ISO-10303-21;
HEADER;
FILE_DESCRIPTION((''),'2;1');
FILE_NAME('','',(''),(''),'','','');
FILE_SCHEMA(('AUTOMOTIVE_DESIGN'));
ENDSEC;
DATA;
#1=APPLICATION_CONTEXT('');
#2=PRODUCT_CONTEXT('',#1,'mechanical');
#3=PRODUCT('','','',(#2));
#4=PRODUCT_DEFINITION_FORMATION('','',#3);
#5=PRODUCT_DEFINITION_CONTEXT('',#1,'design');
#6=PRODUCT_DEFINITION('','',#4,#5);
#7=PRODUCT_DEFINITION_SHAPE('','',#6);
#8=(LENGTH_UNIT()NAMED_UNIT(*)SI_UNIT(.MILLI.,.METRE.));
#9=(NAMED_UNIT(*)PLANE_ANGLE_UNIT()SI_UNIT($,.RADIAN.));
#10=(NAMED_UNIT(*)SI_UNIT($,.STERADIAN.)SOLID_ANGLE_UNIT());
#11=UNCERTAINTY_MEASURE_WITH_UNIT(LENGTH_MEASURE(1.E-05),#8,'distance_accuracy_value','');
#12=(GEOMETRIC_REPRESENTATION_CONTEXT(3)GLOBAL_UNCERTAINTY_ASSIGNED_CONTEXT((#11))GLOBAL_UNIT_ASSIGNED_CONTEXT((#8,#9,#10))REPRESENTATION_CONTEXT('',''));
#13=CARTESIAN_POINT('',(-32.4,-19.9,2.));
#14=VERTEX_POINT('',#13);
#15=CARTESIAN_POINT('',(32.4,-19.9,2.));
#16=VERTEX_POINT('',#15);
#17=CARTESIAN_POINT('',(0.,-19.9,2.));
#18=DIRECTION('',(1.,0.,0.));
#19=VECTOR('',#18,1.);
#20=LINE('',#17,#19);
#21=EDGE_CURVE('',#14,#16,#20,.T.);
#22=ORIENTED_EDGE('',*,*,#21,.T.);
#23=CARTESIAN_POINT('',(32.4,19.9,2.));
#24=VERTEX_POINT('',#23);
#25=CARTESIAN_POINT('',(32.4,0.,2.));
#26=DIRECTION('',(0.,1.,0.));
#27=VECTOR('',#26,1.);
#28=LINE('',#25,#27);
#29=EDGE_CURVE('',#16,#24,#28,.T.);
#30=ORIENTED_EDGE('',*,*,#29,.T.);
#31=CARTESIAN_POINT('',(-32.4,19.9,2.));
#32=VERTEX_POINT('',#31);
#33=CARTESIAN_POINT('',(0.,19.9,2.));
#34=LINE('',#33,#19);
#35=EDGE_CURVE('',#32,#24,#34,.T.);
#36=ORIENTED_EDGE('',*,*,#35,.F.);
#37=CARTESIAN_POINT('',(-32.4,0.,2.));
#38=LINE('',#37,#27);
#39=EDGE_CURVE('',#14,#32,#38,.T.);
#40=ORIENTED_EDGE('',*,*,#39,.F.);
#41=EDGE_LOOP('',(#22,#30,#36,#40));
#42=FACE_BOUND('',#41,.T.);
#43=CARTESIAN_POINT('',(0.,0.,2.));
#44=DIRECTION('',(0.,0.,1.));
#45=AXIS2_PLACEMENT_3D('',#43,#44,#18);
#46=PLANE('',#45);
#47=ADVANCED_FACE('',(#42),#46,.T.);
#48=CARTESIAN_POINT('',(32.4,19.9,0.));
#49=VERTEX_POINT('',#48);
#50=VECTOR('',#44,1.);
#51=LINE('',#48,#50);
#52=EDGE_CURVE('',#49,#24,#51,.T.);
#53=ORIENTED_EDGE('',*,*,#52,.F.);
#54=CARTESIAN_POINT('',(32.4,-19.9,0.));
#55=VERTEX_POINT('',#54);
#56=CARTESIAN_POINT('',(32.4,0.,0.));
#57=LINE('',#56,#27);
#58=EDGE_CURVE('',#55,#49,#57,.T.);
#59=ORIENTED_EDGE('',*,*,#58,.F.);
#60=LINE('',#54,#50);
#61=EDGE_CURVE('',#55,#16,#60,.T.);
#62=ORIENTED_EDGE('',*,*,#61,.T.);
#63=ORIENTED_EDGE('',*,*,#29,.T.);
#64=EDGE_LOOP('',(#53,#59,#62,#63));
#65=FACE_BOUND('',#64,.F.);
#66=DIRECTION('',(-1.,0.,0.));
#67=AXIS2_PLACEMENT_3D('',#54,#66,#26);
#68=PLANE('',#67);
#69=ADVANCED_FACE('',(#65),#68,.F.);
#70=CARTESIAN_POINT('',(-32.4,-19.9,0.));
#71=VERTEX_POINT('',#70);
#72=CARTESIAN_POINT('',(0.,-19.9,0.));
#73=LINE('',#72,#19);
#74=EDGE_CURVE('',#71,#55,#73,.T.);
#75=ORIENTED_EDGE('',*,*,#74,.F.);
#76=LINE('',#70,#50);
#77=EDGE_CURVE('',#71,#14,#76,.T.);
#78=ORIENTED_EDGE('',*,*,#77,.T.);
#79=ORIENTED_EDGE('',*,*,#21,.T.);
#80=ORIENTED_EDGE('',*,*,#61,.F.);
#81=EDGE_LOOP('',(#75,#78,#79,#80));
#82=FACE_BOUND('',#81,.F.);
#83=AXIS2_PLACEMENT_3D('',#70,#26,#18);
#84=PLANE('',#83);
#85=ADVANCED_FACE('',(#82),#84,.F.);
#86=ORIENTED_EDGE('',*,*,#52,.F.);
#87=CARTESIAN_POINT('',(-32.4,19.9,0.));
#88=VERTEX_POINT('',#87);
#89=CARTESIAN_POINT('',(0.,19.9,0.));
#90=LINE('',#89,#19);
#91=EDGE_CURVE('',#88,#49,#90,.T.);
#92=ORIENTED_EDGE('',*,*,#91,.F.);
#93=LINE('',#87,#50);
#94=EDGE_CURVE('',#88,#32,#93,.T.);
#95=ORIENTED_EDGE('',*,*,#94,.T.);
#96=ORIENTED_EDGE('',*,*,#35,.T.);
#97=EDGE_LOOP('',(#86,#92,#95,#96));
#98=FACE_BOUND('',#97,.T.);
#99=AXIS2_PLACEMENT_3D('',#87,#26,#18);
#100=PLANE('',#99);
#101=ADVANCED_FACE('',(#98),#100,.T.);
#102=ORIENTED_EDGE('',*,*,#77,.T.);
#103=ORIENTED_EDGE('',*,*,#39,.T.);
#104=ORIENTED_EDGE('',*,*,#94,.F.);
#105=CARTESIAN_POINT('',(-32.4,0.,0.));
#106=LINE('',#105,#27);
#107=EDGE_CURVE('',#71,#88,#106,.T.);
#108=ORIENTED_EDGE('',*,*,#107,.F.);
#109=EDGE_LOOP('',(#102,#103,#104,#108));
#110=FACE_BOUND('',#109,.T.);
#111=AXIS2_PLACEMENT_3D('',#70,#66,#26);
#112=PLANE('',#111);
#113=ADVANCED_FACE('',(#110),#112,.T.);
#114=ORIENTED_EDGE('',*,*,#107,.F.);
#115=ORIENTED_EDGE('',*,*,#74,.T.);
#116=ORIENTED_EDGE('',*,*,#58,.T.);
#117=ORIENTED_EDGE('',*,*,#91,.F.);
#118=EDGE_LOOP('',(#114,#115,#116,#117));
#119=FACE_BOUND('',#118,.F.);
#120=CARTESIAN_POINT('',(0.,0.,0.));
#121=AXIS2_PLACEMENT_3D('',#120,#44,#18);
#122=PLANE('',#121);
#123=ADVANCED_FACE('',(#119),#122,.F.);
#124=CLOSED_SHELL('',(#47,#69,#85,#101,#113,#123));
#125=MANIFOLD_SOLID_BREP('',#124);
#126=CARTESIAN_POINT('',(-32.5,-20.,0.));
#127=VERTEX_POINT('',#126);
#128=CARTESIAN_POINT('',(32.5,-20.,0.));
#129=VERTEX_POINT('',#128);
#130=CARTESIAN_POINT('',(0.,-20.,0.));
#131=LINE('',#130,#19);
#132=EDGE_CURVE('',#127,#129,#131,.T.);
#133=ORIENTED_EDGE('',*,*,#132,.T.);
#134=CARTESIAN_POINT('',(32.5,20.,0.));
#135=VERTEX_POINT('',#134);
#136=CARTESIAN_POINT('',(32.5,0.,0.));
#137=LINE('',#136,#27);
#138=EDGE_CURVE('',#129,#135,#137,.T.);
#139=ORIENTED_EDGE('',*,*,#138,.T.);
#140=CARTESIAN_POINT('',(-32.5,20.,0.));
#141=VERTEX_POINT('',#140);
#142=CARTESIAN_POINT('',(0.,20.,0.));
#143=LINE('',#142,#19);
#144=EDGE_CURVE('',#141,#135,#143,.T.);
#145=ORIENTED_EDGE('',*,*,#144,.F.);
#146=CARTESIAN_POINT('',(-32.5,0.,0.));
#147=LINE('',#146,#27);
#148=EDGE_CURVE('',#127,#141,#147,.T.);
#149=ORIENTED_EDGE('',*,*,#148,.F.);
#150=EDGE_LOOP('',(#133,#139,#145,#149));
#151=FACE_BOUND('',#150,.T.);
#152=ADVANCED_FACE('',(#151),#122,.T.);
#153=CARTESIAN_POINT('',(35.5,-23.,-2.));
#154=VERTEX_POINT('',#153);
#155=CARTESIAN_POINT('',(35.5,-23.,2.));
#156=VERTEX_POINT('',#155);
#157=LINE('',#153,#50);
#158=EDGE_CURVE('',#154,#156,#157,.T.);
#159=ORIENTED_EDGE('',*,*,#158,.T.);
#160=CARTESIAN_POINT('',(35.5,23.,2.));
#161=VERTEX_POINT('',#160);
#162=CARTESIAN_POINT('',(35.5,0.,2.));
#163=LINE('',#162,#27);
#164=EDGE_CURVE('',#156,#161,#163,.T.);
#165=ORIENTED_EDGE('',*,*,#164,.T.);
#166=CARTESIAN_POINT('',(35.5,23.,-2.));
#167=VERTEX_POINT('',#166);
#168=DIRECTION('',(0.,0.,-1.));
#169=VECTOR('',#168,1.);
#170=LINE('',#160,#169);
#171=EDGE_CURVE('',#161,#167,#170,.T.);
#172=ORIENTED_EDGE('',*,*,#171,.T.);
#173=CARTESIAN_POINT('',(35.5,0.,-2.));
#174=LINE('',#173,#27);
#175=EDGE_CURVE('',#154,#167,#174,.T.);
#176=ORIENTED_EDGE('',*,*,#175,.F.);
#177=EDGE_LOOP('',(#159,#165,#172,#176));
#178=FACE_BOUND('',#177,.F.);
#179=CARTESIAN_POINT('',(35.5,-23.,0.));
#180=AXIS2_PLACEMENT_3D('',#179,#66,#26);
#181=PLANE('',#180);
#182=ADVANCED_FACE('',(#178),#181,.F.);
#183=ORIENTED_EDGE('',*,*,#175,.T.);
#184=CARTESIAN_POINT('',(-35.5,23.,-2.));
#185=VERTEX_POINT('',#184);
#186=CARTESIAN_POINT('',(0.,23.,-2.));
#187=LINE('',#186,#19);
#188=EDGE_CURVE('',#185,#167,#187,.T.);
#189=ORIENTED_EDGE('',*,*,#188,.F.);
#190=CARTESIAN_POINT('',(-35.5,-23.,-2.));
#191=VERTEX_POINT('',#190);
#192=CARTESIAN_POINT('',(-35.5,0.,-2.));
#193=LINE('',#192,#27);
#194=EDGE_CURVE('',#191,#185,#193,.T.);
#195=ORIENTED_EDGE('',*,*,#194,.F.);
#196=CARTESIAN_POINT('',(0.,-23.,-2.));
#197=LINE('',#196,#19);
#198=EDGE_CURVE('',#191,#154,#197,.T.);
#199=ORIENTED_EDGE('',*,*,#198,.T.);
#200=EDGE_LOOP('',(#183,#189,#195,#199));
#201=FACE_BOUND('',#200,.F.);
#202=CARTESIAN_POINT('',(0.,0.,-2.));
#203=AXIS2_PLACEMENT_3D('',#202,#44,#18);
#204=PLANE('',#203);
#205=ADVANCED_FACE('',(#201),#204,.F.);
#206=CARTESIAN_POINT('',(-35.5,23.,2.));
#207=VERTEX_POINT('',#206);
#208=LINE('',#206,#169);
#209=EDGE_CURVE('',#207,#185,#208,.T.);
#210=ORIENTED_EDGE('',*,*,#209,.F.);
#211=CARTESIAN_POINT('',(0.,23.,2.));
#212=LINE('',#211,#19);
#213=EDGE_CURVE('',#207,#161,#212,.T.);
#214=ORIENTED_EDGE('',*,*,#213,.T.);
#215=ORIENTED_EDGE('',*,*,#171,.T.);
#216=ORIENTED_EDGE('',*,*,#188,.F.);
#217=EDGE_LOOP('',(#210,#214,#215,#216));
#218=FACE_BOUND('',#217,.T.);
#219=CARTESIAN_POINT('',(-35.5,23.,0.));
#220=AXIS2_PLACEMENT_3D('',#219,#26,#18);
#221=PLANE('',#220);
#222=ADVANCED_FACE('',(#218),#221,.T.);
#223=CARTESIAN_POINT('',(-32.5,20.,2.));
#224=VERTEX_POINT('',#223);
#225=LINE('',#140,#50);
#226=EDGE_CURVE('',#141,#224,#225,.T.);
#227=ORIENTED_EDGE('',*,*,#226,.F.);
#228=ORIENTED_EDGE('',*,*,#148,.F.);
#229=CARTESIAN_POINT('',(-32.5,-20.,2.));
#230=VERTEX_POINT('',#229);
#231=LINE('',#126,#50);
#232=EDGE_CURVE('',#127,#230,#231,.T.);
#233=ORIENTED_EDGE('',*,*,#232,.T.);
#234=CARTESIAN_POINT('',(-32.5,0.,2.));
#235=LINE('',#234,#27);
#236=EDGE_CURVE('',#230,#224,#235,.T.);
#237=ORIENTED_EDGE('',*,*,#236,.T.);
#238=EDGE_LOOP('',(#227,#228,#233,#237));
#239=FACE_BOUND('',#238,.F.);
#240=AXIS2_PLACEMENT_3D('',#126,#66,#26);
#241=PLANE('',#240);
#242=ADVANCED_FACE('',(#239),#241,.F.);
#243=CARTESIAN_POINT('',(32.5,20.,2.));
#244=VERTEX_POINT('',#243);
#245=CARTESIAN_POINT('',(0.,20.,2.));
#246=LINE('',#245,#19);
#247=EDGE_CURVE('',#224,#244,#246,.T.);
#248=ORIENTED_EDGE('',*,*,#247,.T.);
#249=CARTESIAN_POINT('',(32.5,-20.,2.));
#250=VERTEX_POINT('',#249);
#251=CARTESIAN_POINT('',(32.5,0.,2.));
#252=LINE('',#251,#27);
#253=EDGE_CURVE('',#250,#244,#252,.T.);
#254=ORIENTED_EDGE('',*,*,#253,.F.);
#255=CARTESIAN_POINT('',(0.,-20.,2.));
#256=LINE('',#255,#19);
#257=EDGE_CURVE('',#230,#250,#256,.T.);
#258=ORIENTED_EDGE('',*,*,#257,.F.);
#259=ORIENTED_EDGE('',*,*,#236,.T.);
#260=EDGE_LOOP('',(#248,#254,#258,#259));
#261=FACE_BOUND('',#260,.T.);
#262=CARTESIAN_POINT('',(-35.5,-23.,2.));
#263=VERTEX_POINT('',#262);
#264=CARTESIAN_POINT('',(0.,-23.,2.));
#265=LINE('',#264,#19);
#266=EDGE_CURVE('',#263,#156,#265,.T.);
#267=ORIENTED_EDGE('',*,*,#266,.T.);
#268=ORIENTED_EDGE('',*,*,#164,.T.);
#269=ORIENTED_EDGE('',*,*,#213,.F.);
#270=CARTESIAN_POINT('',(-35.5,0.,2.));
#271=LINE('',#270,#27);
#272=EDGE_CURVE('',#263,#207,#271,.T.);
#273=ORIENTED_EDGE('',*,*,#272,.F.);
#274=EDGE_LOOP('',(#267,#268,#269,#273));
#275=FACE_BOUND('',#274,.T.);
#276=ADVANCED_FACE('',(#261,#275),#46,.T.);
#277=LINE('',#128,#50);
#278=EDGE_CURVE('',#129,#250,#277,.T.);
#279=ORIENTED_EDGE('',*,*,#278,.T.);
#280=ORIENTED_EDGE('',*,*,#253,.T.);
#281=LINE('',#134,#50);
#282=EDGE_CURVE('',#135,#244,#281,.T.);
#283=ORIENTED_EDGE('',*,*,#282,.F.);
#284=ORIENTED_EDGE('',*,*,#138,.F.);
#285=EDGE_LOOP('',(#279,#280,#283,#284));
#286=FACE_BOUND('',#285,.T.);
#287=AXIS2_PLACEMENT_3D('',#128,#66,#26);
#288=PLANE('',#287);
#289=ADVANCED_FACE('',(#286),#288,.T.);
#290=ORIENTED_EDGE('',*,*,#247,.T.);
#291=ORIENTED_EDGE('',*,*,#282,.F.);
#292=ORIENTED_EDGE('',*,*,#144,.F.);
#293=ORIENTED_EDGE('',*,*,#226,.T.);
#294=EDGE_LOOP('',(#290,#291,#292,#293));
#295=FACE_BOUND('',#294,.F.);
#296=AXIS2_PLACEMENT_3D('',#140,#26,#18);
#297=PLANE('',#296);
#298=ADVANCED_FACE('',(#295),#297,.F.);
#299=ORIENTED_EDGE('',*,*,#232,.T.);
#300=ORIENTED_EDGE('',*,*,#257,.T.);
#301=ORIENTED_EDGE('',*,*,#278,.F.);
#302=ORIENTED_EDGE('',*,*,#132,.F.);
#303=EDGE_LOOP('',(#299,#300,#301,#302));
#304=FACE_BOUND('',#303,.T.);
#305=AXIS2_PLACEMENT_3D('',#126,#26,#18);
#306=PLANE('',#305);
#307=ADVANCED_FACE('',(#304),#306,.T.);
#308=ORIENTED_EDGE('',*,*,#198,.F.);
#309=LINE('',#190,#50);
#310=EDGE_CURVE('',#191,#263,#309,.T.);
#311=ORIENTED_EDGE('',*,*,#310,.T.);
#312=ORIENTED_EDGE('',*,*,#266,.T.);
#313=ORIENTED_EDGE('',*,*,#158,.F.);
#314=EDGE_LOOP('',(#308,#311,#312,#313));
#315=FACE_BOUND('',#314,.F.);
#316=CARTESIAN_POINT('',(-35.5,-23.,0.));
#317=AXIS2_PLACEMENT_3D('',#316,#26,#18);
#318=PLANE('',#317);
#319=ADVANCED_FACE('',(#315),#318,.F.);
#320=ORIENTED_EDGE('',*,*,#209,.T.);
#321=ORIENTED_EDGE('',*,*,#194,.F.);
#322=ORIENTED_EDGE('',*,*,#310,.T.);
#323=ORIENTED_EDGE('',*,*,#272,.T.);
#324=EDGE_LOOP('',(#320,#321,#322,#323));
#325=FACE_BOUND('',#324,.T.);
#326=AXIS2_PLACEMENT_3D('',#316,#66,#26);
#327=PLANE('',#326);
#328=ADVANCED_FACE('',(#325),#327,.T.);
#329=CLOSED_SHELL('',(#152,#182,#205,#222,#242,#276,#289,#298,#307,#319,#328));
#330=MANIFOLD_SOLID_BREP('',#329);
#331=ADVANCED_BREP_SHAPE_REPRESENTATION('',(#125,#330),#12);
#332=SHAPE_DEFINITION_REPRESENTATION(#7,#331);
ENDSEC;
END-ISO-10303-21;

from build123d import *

# Parameters (mm, degrees)
F0_W     = 64.8
F0_H     = 39.8
F1_DEPTH = 2
F0_W_2   = 71
F0_H_2   = 46
F0_W_3   = 65
F0_H_3   = 40
F2_DEPTH = 2
F3_DEPTH = 2


with BuildPart() as f1:
    # F0 (on Top) → F1 (new body)
    with BuildSketch(Plane.XY):
        Rectangle(F0_W, F0_H)
    extrude(amount=F1_DEPTH)


with BuildPart() as f2:
    # F0 (on Top) → F2 (new body)
    with BuildSketch(Plane.XY):
        Rectangle(F0_W_2, F0_H_2)
        Rectangle(F0_W_3, F0_H_3, mode=Mode.SUBTRACT)
        Rectangle(F0_W_3, F0_H_3)
        Rectangle(F0_W, F0_H, mode=Mode.SUBTRACT)
        Rectangle(F0_W, F0_H)
    extrude(amount=-F2_DEPTH)

    # F0 (on Top) → F3 (join)
    with BuildSketch(Plane.XY):
        Rectangle(F0_W_2, F0_H_2)
        Rectangle(F0_W_3, F0_H_3, mode=Mode.SUBTRACT)
    extrude(amount=F3_DEPTH)


solid = Compound([f1.part, f2.part])
